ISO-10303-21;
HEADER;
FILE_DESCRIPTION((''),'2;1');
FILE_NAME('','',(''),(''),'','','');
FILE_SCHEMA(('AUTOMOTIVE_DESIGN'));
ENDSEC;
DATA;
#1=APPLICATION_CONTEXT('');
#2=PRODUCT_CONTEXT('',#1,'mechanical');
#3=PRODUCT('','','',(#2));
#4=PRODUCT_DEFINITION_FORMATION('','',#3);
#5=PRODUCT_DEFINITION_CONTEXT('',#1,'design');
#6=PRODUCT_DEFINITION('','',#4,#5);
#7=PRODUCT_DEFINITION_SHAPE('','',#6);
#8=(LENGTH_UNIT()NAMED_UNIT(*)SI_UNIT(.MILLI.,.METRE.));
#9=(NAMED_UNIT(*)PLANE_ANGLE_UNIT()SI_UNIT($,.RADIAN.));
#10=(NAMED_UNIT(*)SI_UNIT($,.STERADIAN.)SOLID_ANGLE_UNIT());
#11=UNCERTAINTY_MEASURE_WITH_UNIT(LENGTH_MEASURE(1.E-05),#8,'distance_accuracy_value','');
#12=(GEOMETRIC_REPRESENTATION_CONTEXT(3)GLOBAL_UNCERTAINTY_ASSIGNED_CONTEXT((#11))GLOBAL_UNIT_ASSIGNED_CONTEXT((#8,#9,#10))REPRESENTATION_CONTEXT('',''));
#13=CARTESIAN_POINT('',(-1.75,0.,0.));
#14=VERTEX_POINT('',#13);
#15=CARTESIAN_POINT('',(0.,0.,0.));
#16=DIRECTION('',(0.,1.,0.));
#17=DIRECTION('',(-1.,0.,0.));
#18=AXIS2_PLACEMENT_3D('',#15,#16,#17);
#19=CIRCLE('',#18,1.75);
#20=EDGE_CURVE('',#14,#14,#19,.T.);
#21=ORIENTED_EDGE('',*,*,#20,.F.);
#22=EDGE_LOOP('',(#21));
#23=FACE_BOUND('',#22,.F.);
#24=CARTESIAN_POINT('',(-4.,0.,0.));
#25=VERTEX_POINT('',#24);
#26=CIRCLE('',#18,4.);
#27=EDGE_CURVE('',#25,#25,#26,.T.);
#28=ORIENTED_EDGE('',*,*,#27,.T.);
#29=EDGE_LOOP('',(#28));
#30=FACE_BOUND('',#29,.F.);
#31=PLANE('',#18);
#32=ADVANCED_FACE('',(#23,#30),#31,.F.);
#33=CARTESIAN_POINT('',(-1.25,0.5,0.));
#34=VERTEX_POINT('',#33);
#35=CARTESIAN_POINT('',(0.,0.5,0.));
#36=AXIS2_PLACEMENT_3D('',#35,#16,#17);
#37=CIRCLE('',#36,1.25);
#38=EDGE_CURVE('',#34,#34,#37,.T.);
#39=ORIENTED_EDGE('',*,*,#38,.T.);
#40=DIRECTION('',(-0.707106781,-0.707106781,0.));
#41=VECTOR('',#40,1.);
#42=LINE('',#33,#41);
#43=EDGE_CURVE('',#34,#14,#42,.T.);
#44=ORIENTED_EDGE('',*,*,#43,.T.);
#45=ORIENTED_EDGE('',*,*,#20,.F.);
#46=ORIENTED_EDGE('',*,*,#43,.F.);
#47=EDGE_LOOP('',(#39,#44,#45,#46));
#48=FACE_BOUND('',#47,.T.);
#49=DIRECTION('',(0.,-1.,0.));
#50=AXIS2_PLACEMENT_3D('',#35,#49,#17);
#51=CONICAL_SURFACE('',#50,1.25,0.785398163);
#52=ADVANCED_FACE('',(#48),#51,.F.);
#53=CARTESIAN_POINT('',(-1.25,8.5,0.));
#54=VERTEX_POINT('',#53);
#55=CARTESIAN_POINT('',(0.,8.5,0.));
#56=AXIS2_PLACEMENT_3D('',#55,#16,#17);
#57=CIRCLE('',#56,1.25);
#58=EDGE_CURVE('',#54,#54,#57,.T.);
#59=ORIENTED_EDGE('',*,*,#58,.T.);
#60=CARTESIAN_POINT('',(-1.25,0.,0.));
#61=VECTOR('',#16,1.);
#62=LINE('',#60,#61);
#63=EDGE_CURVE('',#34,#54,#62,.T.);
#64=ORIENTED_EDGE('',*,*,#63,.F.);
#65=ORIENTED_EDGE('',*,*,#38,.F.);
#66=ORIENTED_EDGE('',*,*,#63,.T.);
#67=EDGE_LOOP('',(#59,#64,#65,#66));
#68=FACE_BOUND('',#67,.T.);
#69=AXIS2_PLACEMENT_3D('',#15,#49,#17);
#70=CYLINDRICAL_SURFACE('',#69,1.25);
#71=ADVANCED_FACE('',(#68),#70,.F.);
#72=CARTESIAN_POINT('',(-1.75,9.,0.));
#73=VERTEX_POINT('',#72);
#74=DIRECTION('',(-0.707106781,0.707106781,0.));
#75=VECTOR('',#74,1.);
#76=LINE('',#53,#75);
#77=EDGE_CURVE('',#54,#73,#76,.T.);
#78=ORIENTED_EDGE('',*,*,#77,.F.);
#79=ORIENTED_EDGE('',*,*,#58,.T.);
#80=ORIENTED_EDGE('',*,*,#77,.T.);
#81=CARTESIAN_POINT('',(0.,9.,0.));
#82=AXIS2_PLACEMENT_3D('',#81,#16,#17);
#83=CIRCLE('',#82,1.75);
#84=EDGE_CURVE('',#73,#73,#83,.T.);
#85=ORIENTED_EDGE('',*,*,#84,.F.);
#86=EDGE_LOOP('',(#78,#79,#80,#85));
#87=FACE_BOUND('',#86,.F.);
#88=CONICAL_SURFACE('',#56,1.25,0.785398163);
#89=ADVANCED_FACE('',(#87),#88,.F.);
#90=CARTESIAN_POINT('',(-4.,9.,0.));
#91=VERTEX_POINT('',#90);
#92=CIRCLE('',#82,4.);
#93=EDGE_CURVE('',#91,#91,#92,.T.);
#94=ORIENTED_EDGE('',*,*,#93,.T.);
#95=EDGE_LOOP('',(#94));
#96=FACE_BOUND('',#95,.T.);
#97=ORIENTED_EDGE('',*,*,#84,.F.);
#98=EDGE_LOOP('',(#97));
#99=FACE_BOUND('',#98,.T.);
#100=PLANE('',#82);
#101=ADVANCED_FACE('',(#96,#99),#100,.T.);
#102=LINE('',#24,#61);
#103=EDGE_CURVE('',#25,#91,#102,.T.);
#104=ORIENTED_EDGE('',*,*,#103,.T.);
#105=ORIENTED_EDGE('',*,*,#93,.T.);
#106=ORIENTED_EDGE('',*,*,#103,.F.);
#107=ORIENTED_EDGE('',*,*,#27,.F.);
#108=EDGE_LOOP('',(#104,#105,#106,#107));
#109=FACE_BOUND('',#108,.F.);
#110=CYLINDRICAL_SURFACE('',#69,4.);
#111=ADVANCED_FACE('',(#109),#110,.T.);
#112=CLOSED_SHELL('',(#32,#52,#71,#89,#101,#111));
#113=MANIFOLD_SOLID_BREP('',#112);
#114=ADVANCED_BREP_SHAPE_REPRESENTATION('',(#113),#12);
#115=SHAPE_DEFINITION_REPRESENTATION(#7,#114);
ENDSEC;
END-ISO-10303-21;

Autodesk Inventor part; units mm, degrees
ref_plane "YZ Plane" through (0, 0, 0) normal (1, 0, 0) x (0, 1, 0)
ref_plane "XZ Plane" through (0, 0, 0) normal (0, 1, 0) x (-1, 0, 0)
ref_plane "XY Plane" through (0, 0, 0) normal (0, 0, 1) x (1, 0, 0)
sketch "Sketch1" plane through (0, 0, 0) normal (0, 1, 0) x (-1, 0, 0)
  circle A0 centre (0, 0) radius 1.25
  circle A1 centre (0, 0) radius 4
  dimension "d0" = 2.5
  dimension "d1" = 8
extrude "Extrusion1" add sketch "Sketch1" along normal blind 9
chamfer "Chamfer1" distance 0.5 angle 45 2 edges at (1.25, 9, 0) (1.25, 0, 0)
properties part number "pcb_hl_2"
